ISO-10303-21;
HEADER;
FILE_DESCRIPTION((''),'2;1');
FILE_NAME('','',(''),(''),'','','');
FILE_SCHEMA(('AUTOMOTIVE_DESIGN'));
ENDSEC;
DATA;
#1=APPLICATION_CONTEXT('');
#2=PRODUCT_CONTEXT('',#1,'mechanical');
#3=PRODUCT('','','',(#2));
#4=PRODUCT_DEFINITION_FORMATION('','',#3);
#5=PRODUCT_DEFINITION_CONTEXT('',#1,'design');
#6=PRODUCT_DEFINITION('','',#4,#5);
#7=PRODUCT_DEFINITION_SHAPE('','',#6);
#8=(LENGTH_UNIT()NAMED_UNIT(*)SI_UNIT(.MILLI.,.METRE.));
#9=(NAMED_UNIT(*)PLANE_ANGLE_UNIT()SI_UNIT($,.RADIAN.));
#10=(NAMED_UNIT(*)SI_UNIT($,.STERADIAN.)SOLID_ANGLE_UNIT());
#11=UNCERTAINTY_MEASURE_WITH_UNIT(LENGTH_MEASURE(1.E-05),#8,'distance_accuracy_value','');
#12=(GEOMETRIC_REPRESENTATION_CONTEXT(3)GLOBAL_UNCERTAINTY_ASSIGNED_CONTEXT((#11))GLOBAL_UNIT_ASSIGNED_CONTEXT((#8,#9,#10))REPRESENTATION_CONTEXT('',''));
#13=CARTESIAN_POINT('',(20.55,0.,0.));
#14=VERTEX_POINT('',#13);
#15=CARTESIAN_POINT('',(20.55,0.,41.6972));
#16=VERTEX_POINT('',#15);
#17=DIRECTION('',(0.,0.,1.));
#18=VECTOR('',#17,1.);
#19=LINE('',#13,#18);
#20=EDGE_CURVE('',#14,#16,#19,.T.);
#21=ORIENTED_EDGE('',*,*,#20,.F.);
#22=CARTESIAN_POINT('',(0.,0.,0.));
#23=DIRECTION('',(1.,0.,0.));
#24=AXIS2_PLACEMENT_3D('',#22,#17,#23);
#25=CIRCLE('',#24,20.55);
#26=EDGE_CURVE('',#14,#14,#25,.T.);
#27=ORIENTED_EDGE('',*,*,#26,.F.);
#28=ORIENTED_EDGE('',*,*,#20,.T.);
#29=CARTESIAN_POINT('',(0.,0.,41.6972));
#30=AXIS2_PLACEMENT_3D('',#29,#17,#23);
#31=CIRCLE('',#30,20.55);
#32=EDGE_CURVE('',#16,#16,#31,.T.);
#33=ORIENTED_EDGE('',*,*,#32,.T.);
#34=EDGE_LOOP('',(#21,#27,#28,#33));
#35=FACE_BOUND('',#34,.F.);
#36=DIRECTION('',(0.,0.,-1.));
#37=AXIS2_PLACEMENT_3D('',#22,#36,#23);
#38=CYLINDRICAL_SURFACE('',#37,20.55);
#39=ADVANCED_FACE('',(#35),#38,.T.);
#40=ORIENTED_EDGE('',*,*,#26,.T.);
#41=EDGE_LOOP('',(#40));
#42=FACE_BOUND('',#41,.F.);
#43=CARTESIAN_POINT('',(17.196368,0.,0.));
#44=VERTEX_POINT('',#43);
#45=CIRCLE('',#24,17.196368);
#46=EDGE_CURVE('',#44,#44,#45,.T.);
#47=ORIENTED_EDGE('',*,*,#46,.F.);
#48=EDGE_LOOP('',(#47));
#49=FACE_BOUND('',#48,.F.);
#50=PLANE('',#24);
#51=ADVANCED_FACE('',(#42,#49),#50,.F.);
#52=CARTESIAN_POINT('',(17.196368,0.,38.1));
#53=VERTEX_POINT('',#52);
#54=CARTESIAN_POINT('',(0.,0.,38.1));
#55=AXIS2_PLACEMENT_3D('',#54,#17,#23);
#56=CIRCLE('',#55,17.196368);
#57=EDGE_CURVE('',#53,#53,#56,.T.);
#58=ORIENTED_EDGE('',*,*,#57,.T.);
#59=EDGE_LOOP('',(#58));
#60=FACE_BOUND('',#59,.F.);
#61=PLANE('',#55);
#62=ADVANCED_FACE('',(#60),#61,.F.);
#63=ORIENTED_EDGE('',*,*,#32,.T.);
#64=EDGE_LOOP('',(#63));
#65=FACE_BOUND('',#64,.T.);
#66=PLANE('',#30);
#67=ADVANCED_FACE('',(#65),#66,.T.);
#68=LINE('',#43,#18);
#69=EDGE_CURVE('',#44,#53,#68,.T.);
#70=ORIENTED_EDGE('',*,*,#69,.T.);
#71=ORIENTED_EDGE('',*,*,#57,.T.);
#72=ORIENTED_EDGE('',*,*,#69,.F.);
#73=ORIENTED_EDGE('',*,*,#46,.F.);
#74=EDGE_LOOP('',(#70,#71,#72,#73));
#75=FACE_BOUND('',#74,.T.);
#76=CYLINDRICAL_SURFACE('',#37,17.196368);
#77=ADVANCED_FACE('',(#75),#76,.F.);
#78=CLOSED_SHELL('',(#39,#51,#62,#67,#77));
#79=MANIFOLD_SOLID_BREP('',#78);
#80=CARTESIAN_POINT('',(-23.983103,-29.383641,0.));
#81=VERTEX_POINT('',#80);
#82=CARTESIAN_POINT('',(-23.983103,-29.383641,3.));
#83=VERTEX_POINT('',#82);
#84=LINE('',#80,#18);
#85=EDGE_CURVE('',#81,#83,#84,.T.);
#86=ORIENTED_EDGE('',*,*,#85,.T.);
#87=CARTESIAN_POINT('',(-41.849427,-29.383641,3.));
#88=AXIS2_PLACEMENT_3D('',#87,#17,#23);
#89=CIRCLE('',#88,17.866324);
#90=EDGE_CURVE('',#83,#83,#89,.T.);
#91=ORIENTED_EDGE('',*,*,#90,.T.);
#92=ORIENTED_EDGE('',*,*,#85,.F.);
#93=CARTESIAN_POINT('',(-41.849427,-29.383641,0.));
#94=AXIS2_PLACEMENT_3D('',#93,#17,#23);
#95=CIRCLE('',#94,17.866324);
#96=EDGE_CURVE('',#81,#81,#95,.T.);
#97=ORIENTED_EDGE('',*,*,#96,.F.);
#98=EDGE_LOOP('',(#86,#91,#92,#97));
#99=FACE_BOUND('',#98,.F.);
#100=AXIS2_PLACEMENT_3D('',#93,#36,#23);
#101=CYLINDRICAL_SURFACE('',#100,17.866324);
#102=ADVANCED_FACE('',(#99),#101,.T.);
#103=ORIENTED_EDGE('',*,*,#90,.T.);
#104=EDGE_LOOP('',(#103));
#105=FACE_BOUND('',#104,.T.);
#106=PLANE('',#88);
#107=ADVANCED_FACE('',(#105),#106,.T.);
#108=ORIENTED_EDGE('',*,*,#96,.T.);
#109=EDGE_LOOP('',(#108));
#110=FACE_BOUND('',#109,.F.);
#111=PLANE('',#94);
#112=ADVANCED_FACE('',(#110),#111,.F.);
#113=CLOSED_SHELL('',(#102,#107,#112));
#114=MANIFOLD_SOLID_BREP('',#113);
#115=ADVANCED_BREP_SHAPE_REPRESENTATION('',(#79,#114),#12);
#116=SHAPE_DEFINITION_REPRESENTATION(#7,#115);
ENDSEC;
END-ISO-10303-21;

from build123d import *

# Parameters (mm, degrees)
F0_R     = 20.55
F1_DEPTH = 41.6972
F2_R     = 17.196368
F3_DEPTH = 38.1
F4_R     = 17.866324
F5_DEPTH = 3


with BuildPart() as f1:
    # F0 (on Top) → F1 (new body)
    with BuildSketch(Plane.XY):
        Circle(F0_R)
    extrude(amount=F1_DEPTH)

    # F2 (on Top) → F3 (cut)
    with BuildSketch(Plane.XY):
        Circle(F2_R)
    extrude(amount=F3_DEPTH, mode=Mode.SUBTRACT)


with BuildPart() as f5:
    # F4 (on Top) → F5 (new body)
    with BuildSketch(Plane.XY):
        with Locations((-41.849427, -29.383641)):
            Circle(F4_R)
    extrude(amount=F5_DEPTH)


solid = Compound([f1.part, f5.part])
